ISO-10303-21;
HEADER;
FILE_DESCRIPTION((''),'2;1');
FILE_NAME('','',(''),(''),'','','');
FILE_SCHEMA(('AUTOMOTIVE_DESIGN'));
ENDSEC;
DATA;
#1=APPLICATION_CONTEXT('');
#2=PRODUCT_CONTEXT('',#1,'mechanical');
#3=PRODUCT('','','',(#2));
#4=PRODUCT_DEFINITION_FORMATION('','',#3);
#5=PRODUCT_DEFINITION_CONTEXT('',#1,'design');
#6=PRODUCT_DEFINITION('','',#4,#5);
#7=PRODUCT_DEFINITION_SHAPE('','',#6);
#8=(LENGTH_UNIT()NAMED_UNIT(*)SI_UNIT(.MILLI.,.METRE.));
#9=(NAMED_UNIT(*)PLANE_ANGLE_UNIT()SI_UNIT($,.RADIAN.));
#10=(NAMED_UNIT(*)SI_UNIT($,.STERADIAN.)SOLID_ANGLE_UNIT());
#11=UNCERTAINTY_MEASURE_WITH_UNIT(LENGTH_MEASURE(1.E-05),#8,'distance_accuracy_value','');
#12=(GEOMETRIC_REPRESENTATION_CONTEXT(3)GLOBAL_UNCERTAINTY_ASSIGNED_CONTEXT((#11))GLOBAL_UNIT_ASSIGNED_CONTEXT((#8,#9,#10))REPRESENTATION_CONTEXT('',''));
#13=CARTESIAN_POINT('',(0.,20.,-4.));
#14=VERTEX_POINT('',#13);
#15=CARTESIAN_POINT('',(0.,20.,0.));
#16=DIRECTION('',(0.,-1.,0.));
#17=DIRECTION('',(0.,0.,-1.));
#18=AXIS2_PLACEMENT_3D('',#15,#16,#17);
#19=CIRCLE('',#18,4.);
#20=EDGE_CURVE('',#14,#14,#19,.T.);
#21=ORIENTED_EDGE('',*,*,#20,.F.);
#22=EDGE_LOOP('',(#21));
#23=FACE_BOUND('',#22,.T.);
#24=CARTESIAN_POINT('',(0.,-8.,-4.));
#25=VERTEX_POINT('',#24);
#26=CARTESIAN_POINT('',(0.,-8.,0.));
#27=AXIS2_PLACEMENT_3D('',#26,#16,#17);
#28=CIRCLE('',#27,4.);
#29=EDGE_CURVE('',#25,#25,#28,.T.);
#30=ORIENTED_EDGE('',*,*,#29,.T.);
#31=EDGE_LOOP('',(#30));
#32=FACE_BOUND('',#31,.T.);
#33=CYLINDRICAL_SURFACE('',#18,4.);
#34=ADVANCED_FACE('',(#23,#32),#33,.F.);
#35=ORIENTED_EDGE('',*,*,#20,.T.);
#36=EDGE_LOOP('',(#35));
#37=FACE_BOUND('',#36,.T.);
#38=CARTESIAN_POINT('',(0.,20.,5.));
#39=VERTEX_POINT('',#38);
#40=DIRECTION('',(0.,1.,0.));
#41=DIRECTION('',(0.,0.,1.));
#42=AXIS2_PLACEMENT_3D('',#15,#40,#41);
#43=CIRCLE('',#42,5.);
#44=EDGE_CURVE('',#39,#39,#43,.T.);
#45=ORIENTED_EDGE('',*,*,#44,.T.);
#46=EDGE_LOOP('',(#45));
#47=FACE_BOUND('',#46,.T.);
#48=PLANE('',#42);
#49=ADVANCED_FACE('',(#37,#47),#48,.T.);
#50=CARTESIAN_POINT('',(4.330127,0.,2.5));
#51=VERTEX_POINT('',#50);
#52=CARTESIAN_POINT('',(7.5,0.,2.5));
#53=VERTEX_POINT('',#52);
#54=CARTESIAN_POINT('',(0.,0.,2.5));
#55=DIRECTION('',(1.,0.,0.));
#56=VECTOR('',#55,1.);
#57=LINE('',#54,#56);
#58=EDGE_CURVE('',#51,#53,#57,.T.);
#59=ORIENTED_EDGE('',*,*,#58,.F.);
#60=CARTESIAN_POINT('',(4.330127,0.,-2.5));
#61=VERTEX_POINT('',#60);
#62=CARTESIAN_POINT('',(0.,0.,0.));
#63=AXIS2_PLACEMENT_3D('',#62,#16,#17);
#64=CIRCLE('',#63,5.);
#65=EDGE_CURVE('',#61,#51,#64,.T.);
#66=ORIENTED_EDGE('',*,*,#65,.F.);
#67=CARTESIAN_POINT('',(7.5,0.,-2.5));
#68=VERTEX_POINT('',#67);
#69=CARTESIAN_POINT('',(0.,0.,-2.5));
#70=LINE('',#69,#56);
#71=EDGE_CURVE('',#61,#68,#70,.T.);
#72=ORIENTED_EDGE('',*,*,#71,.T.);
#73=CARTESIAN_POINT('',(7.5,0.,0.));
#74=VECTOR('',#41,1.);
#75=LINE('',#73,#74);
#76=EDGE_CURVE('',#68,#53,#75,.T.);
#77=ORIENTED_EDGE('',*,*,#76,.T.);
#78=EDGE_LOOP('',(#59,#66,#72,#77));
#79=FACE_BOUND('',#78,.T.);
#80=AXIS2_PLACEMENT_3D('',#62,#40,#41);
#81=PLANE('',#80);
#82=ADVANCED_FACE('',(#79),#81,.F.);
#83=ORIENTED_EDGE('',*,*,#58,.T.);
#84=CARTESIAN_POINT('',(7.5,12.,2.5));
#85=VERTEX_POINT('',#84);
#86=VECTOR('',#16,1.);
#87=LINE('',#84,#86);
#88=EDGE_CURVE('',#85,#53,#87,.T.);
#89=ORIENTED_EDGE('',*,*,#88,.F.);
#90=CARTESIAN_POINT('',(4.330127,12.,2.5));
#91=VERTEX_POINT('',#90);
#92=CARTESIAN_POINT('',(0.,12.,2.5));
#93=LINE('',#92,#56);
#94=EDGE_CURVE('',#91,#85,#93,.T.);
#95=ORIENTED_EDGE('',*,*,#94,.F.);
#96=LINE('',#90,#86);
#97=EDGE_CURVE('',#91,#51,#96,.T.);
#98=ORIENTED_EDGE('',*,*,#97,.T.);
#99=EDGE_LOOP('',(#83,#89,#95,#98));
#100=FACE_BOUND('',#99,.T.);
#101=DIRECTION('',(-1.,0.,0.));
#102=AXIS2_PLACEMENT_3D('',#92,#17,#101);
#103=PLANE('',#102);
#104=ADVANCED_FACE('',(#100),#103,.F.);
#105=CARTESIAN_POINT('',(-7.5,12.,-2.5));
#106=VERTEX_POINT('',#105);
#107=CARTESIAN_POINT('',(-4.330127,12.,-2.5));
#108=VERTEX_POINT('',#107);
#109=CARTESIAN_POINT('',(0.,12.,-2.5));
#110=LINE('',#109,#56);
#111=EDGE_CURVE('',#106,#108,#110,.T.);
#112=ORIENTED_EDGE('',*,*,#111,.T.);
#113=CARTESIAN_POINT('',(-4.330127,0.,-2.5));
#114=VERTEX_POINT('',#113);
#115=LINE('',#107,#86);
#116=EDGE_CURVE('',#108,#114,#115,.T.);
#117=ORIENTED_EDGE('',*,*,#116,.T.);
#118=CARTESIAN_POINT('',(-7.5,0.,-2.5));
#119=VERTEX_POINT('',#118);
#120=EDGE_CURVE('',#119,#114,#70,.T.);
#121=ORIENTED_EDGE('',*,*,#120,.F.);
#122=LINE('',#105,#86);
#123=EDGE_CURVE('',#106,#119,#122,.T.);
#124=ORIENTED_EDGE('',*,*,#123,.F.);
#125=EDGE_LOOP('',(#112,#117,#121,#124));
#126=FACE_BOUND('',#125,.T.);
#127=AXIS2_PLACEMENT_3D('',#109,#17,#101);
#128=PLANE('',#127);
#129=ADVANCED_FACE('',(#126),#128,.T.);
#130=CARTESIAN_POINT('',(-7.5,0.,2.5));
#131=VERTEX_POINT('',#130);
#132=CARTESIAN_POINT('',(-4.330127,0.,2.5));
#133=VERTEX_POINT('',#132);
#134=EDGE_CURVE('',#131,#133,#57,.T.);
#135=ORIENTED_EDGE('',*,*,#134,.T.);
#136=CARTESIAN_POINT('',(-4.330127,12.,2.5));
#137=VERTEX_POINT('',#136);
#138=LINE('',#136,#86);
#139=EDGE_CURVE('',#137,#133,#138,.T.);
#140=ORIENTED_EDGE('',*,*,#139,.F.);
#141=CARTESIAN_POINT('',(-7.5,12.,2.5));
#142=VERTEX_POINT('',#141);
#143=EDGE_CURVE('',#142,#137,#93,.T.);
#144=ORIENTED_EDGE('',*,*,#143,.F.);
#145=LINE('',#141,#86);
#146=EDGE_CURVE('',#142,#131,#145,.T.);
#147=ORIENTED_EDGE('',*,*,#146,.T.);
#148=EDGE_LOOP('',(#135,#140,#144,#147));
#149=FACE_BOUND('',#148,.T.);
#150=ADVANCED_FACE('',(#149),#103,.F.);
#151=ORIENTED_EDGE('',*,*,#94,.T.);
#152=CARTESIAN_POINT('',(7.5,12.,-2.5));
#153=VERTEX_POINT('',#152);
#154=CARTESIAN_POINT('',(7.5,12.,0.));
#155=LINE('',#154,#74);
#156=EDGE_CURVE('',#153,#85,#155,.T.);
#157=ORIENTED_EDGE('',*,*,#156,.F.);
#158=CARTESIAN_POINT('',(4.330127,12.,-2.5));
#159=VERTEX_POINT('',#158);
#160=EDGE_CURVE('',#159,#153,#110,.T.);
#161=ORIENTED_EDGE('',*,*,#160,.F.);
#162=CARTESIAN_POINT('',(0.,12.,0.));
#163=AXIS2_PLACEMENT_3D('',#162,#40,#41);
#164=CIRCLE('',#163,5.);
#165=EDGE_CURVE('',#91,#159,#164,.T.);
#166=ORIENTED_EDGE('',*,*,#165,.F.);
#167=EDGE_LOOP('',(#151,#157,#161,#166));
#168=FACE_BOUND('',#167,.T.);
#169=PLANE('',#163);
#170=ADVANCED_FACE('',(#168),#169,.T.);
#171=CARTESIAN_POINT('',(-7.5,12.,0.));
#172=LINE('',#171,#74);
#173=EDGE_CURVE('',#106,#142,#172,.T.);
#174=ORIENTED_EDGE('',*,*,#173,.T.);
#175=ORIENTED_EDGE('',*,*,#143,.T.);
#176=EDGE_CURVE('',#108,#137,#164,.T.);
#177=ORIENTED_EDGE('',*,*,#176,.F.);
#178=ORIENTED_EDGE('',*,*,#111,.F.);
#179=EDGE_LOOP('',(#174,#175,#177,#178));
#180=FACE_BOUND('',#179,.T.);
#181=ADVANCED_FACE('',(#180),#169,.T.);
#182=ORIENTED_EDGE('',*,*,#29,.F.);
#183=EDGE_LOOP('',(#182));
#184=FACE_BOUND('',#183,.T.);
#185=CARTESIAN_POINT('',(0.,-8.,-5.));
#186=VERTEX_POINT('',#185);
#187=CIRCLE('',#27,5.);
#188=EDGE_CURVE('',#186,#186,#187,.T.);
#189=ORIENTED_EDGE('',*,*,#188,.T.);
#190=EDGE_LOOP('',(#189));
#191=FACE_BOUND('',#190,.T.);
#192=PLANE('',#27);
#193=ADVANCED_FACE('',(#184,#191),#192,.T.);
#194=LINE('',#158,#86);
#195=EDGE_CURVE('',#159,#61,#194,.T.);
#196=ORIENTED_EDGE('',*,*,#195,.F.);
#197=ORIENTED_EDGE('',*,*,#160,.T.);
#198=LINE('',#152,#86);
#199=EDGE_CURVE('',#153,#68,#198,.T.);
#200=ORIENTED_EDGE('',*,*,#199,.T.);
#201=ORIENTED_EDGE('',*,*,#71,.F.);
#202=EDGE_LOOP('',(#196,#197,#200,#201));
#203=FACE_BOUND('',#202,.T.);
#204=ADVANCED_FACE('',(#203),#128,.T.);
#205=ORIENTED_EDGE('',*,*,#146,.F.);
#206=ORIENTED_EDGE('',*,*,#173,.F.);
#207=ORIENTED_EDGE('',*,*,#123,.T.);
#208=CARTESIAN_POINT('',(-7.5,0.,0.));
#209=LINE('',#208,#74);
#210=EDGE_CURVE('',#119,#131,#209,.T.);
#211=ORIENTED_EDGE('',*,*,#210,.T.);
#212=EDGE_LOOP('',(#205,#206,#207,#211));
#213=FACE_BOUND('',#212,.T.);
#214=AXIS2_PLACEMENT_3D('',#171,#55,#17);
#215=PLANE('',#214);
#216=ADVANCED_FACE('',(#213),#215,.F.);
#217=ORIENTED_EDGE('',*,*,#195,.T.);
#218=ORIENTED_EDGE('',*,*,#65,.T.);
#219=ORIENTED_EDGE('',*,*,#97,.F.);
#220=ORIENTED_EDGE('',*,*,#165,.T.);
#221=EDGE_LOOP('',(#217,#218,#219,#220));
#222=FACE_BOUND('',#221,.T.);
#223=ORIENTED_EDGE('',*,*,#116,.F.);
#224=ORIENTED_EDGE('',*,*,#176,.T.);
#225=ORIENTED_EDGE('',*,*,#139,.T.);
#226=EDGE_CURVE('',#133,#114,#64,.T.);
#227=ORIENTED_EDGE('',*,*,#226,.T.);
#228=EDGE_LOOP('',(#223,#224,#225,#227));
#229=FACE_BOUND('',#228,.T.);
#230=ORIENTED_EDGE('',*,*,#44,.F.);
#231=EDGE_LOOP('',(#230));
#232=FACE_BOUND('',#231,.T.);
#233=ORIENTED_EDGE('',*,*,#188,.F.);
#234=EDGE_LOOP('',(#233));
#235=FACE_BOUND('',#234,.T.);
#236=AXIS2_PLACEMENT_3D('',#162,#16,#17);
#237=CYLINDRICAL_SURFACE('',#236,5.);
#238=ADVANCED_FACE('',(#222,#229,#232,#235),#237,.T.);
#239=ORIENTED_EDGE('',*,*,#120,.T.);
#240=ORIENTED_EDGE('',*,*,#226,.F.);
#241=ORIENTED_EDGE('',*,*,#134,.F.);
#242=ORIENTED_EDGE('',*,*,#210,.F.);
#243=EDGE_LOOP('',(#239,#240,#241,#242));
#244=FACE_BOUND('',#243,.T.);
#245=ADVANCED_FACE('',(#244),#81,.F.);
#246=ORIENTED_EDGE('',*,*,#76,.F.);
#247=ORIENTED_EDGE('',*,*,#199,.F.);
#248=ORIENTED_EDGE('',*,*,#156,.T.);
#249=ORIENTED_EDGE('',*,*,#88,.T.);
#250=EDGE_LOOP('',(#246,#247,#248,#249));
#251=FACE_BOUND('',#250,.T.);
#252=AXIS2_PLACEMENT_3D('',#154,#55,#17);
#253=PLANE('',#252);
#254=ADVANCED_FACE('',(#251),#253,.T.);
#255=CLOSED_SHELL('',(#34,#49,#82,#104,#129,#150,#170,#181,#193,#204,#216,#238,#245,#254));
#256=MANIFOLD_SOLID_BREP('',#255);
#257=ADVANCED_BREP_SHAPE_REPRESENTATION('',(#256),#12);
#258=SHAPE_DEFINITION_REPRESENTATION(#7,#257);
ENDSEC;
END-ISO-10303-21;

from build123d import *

# Parameters (mm, degrees)
BOSS_EXTRUDE1_DEPTH = 12
SKETCH2_R           = 5
BOSS_EXTRUDE2_DEPTH = 8
BOSS_EXTRUDE3_START = 8
SKETCH3_R           = 5
BOSS_EXTRUDE3_DEPTH = 8
SKETCH4_R           = 4
CUT_EXTRUDE1_DEPTH  = 30.415132160165456


with BuildPart() as part:
    # Sketch1 → Boss-Extrude1 (new body)
    with BuildSketch(Plane(origin=(0, 0, 0), x_dir=(1, 0, 0), z_dir=(0, 1, 0))):
        with BuildLine():
            Line((-4.330127018922256, 2.4999999999999996), (-7.499999999999998, 2.4999999999999996))
            Line((-7.499999999999998, 2.4999999999999996), (-7.499999999999998, -2.5000000000000004))
            Line((-7.499999999999998, -2.5000000000000004), (-4.330127018922255, -2.5000000000000004))
            ThreePointArc((-4.330127018922232, -2.4999999999999334), (-5, 6.1e-16), (-4.330127018922233, 2.4999999999999325))
        make_face()
        with BuildLine():
            ThreePointArc((4.330127018922173, 2.5000000000000346), (-5.965e-14, 5), (-4.330127018922233, 2.4999999999999325))
            Line((-4.330127018922256, 2.4999999999999996), (4.330127018922161, 2.4999999999999996))
        make_face()
        with BuildLine():
            Line((4.330127018922161, 2.4999999999999996), (-4.330127018922256, 2.4999999999999996))
            ThreePointArc((-4.330127018922233, 2.4999999999999325), (-5, 6.1e-16), (-4.330127018922232, -2.4999999999999334))
            Line((-4.330127018922255, -2.5000000000000004), (4.330127018922159, -2.5000000000000004))
            ThreePointArc((4.3301270189221714, -2.5000000000000364), (4.829629131445336, -1.294095225512625), (5, -1.22e-15))
            ThreePointArc((5, 0), (4.829629131445337, 1.2940952255126228), (4.330127018922173, 2.5000000000000346))
        make_face()
        with BuildLine():
            Line((7.500000000000002, 2.4999999999999996), (4.330127018922161, 2.4999999999999996))
            ThreePointArc((4.330127018922173, 2.5000000000000346), (4.829629131445337, 1.2940952255126228), (5, 0))
            ThreePointArc((5, -1.22e-15), (4.829629131445336, -1.294095225512625), (4.3301270189221714, -2.5000000000000364))
            Line((4.330127018922159, -2.5000000000000004), (7.500000000000002, -2.5000000000000004))
            Line((7.500000000000002, -2.5000000000000004), (7.500000000000002, 2.4999999999999996))
        make_face()
        with BuildLine():
            Line((4.330127018922159, -2.5000000000000004), (-4.330127018922255, -2.5000000000000004))
            ThreePointArc((-4.330127018922232, -2.4999999999999334), (-5.865e-14, -5), (4.3301270189221714, -2.5000000000000364))
        make_face()
    extrude(amount=BOSS_EXTRUDE1_DEPTH)

    # Sketch2 → Boss-Extrude2 (add)
    with BuildSketch(Plane(origin=(0, 12, 0), x_dir=(1, 0, 0), z_dir=(0, 1, 0))):
        with Locations(Location((0, 0, 0), (0, 0, 30))):
            Circle(SKETCH2_R)
    extrude(amount=BOSS_EXTRUDE2_DEPTH)

    # Sketch3 → Boss-Extrude3 (add)
    with BuildSketch(Plane.XZ.offset(BOSS_EXTRUDE3_START)):
        with Locations(Location((0, 0, 0), (0, 0, 270))):
            Circle(SKETCH3_R)
    extrude(amount=-BOSS_EXTRUDE3_DEPTH)

    # Sketch4 → Cut-Extrude1 (cut, through all)
    with BuildSketch(Plane.XZ.offset(8)):
        with Locations(Location((0, 0, 0), (0, 0, 270))):
            Circle(SKETCH4_R)
    extrude(amount=-CUT_EXTRUDE1_DEPTH, mode=Mode.SUBTRACT)


solid = part.part
